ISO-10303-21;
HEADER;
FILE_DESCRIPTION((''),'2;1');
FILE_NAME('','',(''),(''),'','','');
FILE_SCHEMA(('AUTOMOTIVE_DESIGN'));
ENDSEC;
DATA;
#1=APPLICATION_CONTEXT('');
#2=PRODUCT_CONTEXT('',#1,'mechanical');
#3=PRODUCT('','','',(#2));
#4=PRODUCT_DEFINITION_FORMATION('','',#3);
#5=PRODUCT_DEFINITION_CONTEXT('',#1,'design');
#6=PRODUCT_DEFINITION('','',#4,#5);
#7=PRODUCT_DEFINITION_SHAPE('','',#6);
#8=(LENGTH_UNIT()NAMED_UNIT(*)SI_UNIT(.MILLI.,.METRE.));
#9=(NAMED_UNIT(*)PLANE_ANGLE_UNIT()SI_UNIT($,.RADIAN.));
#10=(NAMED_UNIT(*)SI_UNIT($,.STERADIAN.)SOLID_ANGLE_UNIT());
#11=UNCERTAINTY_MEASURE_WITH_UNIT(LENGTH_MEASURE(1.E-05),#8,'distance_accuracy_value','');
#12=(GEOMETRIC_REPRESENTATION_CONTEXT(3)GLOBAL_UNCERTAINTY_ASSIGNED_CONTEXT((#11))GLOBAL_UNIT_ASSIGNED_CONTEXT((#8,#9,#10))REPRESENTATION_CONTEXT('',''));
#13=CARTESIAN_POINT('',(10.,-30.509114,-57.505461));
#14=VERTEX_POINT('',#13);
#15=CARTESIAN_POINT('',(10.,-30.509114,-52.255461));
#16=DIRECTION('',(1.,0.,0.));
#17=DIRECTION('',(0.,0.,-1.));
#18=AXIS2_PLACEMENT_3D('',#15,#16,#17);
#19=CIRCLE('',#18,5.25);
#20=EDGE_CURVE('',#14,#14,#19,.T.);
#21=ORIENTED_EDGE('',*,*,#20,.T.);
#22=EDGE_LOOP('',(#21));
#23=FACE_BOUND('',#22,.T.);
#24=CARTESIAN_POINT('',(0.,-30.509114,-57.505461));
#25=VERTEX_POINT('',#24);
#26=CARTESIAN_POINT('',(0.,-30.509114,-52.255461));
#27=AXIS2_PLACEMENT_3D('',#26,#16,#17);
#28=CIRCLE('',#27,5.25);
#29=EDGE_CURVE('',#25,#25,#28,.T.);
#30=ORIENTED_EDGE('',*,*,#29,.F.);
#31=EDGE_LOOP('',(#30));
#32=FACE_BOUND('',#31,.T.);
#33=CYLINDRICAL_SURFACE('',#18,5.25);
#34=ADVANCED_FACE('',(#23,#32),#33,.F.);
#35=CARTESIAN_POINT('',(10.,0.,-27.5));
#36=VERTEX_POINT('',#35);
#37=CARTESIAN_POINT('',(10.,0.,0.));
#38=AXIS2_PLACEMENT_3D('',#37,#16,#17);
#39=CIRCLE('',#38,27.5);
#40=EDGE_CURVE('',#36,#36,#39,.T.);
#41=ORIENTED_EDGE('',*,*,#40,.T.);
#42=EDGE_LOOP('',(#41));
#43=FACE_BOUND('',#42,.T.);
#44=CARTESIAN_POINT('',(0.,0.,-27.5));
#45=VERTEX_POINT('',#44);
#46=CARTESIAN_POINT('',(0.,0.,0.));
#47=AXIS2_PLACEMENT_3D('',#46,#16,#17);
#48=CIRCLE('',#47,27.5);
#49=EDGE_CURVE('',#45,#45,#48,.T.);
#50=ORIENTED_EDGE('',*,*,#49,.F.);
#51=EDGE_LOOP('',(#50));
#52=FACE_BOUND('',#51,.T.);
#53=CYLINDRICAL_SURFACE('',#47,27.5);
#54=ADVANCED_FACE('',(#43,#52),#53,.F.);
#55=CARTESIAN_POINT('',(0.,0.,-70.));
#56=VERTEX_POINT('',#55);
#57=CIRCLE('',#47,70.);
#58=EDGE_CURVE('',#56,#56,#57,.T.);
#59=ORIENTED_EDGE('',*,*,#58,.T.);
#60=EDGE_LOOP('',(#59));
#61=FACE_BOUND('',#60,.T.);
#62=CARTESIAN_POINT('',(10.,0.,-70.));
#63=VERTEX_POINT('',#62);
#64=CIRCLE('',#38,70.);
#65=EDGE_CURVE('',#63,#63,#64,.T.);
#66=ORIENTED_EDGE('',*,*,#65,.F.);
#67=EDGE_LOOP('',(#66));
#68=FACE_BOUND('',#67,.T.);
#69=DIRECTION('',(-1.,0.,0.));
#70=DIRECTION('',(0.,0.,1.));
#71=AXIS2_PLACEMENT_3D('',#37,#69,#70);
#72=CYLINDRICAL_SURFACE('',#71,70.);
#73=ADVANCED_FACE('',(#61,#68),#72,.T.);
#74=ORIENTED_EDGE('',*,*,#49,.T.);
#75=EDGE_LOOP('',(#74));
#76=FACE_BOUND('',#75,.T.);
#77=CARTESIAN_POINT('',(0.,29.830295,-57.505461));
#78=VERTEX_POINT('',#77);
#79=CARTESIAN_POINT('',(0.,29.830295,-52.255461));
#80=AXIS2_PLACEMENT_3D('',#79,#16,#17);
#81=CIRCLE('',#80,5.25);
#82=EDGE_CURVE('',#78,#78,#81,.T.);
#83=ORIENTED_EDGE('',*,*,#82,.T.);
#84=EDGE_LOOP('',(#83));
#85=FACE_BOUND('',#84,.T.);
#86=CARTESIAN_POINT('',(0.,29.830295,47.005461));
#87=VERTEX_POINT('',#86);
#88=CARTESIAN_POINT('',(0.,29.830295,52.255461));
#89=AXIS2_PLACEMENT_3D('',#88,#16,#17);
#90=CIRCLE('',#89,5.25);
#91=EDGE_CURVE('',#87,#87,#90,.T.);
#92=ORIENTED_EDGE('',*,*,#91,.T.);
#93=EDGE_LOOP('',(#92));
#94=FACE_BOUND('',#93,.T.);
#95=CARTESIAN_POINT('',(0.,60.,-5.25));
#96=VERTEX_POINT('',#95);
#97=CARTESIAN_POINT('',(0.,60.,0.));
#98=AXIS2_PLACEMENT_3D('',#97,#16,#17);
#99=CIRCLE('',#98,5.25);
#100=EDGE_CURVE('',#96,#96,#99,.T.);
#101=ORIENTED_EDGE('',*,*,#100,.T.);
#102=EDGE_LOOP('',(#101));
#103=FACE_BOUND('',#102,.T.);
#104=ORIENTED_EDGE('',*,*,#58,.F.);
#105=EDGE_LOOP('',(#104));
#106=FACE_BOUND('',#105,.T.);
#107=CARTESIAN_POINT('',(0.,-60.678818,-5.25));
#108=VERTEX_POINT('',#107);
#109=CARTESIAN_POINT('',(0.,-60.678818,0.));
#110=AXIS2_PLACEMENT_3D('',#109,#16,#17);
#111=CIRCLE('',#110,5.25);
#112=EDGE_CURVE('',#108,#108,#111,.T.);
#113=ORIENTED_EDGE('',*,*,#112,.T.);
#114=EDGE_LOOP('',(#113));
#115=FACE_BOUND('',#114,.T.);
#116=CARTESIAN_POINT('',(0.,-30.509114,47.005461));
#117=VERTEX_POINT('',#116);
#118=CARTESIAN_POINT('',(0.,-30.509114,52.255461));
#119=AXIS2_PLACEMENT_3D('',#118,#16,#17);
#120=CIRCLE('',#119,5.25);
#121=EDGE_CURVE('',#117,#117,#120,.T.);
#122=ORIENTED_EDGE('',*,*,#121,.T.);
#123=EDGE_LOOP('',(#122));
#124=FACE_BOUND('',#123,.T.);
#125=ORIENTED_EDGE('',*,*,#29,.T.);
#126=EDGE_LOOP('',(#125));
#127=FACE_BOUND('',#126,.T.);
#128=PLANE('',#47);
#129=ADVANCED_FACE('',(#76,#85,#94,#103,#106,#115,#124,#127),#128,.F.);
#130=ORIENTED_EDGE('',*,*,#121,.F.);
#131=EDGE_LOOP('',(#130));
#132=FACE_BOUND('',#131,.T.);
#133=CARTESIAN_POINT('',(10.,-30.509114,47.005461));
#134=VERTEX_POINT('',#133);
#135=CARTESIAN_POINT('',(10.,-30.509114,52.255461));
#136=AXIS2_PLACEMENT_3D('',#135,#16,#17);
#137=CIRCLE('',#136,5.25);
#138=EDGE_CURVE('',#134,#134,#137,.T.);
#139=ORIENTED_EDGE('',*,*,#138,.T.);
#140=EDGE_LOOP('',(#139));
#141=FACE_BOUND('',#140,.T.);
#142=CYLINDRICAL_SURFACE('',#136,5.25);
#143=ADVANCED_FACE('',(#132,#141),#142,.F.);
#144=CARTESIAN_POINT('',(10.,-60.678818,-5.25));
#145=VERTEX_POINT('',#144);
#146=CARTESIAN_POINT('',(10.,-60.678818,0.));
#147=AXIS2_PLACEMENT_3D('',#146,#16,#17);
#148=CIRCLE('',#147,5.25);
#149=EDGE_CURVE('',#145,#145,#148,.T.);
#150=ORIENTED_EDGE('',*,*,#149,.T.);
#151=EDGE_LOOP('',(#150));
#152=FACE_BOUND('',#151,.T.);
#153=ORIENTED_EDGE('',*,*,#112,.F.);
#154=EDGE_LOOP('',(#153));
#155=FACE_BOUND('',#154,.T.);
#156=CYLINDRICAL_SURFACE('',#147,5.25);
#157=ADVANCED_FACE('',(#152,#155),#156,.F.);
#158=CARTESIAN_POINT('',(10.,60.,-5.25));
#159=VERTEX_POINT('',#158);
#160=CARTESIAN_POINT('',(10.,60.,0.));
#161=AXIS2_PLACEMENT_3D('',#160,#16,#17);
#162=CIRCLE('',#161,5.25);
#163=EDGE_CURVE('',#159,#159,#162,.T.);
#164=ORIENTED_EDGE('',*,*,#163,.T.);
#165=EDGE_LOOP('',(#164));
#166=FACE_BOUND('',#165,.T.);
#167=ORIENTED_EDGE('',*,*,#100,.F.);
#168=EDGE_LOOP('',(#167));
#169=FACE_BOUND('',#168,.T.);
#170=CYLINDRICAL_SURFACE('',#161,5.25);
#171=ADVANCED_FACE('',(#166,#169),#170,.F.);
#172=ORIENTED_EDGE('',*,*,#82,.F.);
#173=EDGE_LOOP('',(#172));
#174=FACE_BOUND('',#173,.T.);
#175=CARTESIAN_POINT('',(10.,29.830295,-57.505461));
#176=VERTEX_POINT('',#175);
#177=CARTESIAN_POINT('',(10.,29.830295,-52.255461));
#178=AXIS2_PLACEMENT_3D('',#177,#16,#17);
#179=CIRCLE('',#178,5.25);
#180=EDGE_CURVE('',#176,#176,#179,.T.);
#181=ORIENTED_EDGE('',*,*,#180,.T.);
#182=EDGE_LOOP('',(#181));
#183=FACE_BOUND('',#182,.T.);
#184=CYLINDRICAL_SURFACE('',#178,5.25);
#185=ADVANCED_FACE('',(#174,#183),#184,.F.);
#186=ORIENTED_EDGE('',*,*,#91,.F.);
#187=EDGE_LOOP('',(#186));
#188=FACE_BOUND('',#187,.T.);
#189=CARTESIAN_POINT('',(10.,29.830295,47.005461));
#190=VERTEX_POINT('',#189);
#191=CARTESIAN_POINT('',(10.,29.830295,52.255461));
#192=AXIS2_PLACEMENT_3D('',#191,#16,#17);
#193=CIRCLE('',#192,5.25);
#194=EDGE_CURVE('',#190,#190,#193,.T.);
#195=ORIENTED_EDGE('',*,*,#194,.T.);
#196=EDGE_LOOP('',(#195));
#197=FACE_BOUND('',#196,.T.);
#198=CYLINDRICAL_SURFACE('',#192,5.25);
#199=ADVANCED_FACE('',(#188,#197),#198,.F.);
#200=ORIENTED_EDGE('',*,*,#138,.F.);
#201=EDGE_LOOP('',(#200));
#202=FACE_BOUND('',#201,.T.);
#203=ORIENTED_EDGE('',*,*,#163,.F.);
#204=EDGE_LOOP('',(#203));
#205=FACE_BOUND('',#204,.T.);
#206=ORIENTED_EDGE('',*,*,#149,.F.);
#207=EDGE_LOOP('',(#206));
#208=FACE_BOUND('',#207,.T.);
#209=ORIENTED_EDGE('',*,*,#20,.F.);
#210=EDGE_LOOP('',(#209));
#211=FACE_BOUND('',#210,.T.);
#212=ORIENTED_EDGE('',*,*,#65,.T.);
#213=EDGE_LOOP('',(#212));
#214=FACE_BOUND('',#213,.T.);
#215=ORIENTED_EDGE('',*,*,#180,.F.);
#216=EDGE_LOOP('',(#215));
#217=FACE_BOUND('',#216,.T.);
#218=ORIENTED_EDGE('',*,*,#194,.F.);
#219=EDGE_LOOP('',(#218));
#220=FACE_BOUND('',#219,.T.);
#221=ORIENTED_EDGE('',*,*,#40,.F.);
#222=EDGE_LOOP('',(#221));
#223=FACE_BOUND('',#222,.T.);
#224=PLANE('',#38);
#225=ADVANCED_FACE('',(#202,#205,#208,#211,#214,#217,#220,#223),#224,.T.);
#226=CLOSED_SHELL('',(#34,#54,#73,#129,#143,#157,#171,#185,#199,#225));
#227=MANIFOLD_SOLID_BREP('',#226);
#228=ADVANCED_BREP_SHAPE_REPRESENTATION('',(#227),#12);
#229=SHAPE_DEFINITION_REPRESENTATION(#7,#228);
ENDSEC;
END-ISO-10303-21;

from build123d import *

# Parameters (mm, degrees)
CROQUIS1_R              = 70
SALIENTE_EXTRUIR1_DEPTH = 10
MATRIZC5_COUNT          = 6
CROQUIS9_R              = 27.5
CORTAR_EXTRUIR1_DEPTH   = 10


with BuildPart() as part:
    # Croquis1 → Saliente-Extruir1 (new body)
    with BuildSketch(Plane(origin=(0, 0, 0), x_dir=(0, 0, -1), z_dir=(1, 0, 0))):
        Circle(CROQUIS1_R)
    extrude(amount=SALIENTE_EXTRUIR1_DEPTH)

    # Croquis8 → Taladro roscado M12x1.51 (revolve, cut)
    with BuildSketch(Plane(origin=(10, 60, 0), x_dir=(0, 0, -1), z_dir=(0, 1, 0))):
        Polygon((0, 0), (0, 34.65451825), (5.25, 31.5), (5.25, 0), align=None)
    taladro_roscado_m12x1_51 = revolve(axis=Axis((16.35, 60, 0), (-1, 0, 0)), mode=Mode.SUBTRACT)

    # MatrizC5: Taladro roscado M12x1.51 ×6 about axis
    matrizc5_axis = Axis((0, -0.339409177, 0), (1, 0, 0))
    for i in range(1, MATRIZC5_COUNT):
        add(taladro_roscado_m12x1_51.rotate(matrizc5_axis, i * 360 / MATRIZC5_COUNT), mode=Mode.SUBTRACT)

    # Croquis9 → Cortar-Extruir1 (cut)
    with BuildSketch(Plane(origin=(10, 0, 0), x_dir=(0, 0, -1), z_dir=(1, 0, 0))):
        Circle(CROQUIS9_R)
    extrude(amount=-CORTAR_EXTRUIR1_DEPTH, mode=Mode.SUBTRACT)


solid = part.part
